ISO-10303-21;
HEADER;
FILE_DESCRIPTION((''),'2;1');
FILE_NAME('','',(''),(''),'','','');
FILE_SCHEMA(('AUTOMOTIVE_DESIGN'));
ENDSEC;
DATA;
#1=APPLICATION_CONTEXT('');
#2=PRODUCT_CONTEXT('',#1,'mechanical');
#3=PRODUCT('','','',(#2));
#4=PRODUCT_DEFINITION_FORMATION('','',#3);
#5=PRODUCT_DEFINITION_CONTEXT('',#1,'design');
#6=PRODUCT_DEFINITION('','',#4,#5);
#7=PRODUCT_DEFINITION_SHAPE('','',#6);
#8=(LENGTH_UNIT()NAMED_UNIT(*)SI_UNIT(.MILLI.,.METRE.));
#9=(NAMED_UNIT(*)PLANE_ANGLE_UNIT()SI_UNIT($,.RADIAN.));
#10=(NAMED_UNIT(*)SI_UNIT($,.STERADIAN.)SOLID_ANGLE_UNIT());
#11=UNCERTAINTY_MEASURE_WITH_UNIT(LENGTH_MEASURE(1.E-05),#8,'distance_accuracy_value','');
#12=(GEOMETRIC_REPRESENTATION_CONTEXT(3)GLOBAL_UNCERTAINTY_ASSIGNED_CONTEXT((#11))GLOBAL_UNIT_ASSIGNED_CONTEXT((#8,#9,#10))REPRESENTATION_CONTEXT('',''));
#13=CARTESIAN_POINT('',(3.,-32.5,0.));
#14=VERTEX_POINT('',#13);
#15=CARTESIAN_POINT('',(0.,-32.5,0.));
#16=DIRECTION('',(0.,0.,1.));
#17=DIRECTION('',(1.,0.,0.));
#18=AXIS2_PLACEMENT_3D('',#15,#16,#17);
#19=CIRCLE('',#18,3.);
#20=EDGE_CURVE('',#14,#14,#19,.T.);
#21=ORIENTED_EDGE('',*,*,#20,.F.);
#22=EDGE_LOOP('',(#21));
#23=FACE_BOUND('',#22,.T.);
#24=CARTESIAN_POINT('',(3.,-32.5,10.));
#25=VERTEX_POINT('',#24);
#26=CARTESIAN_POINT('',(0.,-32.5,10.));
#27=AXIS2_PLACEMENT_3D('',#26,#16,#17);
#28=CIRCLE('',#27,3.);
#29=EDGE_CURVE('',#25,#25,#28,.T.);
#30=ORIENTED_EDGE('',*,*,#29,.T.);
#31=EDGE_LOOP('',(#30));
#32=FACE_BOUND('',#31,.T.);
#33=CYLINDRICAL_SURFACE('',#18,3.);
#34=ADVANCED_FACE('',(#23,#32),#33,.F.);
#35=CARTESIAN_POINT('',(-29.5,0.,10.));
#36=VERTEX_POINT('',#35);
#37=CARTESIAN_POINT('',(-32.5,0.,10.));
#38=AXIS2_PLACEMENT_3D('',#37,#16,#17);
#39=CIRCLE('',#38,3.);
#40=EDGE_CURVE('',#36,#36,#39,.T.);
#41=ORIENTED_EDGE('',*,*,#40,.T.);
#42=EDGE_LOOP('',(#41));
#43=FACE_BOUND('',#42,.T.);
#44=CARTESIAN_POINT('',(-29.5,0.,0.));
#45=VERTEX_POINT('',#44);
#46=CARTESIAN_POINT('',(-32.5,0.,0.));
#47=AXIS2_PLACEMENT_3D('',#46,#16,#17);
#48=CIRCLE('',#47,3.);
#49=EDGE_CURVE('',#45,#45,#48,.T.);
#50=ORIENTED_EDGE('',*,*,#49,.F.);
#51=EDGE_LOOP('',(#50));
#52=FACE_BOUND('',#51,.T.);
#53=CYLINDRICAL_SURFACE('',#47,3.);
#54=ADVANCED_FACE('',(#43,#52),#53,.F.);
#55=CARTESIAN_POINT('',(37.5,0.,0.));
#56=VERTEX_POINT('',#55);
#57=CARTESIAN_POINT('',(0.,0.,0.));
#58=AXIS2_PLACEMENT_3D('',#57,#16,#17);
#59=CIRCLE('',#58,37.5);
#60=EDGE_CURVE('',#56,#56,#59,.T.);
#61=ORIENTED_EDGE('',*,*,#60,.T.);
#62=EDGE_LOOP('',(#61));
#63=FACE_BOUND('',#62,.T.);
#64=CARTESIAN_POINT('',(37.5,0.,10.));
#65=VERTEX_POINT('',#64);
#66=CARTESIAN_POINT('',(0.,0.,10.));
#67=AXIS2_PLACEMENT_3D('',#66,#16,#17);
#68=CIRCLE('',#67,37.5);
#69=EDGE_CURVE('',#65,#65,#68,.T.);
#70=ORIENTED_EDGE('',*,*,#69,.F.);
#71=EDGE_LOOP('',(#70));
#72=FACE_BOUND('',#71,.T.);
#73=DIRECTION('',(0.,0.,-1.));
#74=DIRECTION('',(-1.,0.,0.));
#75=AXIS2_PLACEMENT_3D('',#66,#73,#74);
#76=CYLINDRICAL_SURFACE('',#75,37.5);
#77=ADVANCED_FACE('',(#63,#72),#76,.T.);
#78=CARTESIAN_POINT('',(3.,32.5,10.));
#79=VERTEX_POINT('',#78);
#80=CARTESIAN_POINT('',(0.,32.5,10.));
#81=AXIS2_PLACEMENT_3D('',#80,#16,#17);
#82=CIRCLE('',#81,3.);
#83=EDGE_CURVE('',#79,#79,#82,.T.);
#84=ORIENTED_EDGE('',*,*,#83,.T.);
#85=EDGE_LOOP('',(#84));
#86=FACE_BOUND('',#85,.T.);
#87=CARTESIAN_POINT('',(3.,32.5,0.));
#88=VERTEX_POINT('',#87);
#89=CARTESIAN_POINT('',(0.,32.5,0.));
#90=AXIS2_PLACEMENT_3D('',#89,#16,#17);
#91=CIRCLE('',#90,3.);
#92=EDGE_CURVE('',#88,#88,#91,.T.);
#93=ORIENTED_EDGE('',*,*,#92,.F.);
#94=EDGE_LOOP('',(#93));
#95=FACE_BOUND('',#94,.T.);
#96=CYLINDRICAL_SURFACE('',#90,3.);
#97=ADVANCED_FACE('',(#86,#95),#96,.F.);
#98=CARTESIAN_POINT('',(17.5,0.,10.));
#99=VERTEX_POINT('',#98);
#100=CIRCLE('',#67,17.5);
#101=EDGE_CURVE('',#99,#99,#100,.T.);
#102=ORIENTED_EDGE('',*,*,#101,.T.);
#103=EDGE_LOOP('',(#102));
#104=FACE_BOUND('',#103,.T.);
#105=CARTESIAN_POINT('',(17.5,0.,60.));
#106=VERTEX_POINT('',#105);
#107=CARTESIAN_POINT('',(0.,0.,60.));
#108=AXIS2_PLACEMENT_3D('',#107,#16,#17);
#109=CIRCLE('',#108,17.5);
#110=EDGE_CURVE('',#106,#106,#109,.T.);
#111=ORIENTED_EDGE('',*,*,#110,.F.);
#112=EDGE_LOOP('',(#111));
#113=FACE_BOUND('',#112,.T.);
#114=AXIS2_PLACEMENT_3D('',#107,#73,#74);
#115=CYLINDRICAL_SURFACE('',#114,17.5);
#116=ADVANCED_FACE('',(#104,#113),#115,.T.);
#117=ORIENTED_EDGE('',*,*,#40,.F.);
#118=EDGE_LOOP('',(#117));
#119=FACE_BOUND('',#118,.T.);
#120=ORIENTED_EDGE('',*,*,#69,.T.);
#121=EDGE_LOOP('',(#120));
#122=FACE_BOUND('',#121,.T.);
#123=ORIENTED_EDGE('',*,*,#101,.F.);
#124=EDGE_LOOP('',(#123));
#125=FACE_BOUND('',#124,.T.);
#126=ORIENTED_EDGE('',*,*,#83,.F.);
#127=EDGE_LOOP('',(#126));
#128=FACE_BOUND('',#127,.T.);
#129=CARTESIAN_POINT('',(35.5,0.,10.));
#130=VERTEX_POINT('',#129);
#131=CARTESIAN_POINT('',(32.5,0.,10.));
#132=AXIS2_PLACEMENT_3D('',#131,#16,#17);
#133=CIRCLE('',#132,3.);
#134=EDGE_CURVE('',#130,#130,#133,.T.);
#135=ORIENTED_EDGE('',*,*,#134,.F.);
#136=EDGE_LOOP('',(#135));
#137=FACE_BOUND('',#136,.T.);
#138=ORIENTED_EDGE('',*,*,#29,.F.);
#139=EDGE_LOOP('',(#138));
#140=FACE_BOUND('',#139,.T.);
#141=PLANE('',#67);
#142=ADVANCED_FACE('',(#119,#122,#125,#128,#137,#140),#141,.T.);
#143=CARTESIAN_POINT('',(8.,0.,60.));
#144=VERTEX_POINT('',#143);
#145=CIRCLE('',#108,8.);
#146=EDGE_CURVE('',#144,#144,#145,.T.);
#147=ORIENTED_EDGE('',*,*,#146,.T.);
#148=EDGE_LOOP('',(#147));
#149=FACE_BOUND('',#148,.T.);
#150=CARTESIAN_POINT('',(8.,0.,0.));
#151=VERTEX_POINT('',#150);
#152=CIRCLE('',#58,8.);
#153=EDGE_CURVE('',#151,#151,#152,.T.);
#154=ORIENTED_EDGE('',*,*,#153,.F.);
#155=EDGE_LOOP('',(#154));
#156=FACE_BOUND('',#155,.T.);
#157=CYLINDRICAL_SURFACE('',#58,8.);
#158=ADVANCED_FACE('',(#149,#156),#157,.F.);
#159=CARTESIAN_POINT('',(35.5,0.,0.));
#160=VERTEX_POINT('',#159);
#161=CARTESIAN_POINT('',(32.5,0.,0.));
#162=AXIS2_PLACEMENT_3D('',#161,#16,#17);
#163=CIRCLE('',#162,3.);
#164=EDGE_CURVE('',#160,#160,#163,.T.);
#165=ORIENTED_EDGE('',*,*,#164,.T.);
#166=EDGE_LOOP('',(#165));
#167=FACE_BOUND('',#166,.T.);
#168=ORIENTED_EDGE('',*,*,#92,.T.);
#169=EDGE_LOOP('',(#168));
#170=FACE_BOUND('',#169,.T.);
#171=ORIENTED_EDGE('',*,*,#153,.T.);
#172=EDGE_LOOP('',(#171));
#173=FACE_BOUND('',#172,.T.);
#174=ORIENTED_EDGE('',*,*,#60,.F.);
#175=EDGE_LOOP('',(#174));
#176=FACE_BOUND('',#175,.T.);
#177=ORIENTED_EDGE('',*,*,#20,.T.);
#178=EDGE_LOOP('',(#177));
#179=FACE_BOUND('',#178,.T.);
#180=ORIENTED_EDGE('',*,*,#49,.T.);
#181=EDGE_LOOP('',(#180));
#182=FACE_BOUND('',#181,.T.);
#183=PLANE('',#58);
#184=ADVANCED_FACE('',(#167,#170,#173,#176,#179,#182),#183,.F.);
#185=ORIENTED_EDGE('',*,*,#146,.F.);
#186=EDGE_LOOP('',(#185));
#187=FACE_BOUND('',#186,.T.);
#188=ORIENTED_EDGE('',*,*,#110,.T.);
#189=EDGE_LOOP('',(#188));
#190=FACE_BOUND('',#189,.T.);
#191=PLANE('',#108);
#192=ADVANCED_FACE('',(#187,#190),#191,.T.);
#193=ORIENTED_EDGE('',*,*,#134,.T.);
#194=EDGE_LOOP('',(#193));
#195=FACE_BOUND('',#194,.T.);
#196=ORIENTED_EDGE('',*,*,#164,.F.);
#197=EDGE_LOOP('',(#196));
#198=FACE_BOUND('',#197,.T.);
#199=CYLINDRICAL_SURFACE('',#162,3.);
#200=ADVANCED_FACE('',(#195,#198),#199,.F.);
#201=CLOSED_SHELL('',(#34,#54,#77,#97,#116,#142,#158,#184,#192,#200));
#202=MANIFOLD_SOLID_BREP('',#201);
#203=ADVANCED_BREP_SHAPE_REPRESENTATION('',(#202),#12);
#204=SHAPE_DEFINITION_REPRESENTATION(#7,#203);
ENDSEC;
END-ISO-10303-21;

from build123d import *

# Parameters (mm, degrees)
SKETCH_1_R          = 37.5
EXTRUDE_1_DEPTH     = 10
SKETCH_2_R          = 17.5
EXTRUDE_2_DEPTH     = 50
SKETCH_3_R          = 8
CUT_EXTRUDE_1_DEPTH = 61
SKETCH_4_R          = 3
CUT_EXTRUDE_2_DEPTH = 10


with BuildPart() as part:
    # 草图1 → 凸台-拉伸1 (new body)
    with BuildSketch(Plane.XY):
        Circle(SKETCH_1_R)
    extrude(amount=EXTRUDE_1_DEPTH)

    # 草图2 → 凸台-拉伸2 (add)
    with BuildSketch(Plane.XY.offset(10)):
        Circle(SKETCH_2_R)
    extrude(amount=EXTRUDE_2_DEPTH)

    # 草图3 → 切除-拉伸1 (cut, through all)
    with BuildSketch(Plane.XY.offset(60)):
        Circle(SKETCH_3_R)
    extrude(amount=-CUT_EXTRUDE_1_DEPTH, mode=Mode.SUBTRACT)

    # 草图4 → 切除-拉伸2 (cut)
    with BuildSketch(Plane.XY.offset(10)):
        with Locations((0, 32.5)):
            Circle(SKETCH_4_R)
        with Locations((32.5, 0)):
            Circle(SKETCH_4_R)
        with Locations((0, -32.5)):
            Circle(SKETCH_4_R)
        with Locations((-32.5, 0)):
            Circle(SKETCH_4_R)
    extrude(amount=-CUT_EXTRUDE_2_DEPTH, mode=Mode.SUBTRACT)


solid = part.part
